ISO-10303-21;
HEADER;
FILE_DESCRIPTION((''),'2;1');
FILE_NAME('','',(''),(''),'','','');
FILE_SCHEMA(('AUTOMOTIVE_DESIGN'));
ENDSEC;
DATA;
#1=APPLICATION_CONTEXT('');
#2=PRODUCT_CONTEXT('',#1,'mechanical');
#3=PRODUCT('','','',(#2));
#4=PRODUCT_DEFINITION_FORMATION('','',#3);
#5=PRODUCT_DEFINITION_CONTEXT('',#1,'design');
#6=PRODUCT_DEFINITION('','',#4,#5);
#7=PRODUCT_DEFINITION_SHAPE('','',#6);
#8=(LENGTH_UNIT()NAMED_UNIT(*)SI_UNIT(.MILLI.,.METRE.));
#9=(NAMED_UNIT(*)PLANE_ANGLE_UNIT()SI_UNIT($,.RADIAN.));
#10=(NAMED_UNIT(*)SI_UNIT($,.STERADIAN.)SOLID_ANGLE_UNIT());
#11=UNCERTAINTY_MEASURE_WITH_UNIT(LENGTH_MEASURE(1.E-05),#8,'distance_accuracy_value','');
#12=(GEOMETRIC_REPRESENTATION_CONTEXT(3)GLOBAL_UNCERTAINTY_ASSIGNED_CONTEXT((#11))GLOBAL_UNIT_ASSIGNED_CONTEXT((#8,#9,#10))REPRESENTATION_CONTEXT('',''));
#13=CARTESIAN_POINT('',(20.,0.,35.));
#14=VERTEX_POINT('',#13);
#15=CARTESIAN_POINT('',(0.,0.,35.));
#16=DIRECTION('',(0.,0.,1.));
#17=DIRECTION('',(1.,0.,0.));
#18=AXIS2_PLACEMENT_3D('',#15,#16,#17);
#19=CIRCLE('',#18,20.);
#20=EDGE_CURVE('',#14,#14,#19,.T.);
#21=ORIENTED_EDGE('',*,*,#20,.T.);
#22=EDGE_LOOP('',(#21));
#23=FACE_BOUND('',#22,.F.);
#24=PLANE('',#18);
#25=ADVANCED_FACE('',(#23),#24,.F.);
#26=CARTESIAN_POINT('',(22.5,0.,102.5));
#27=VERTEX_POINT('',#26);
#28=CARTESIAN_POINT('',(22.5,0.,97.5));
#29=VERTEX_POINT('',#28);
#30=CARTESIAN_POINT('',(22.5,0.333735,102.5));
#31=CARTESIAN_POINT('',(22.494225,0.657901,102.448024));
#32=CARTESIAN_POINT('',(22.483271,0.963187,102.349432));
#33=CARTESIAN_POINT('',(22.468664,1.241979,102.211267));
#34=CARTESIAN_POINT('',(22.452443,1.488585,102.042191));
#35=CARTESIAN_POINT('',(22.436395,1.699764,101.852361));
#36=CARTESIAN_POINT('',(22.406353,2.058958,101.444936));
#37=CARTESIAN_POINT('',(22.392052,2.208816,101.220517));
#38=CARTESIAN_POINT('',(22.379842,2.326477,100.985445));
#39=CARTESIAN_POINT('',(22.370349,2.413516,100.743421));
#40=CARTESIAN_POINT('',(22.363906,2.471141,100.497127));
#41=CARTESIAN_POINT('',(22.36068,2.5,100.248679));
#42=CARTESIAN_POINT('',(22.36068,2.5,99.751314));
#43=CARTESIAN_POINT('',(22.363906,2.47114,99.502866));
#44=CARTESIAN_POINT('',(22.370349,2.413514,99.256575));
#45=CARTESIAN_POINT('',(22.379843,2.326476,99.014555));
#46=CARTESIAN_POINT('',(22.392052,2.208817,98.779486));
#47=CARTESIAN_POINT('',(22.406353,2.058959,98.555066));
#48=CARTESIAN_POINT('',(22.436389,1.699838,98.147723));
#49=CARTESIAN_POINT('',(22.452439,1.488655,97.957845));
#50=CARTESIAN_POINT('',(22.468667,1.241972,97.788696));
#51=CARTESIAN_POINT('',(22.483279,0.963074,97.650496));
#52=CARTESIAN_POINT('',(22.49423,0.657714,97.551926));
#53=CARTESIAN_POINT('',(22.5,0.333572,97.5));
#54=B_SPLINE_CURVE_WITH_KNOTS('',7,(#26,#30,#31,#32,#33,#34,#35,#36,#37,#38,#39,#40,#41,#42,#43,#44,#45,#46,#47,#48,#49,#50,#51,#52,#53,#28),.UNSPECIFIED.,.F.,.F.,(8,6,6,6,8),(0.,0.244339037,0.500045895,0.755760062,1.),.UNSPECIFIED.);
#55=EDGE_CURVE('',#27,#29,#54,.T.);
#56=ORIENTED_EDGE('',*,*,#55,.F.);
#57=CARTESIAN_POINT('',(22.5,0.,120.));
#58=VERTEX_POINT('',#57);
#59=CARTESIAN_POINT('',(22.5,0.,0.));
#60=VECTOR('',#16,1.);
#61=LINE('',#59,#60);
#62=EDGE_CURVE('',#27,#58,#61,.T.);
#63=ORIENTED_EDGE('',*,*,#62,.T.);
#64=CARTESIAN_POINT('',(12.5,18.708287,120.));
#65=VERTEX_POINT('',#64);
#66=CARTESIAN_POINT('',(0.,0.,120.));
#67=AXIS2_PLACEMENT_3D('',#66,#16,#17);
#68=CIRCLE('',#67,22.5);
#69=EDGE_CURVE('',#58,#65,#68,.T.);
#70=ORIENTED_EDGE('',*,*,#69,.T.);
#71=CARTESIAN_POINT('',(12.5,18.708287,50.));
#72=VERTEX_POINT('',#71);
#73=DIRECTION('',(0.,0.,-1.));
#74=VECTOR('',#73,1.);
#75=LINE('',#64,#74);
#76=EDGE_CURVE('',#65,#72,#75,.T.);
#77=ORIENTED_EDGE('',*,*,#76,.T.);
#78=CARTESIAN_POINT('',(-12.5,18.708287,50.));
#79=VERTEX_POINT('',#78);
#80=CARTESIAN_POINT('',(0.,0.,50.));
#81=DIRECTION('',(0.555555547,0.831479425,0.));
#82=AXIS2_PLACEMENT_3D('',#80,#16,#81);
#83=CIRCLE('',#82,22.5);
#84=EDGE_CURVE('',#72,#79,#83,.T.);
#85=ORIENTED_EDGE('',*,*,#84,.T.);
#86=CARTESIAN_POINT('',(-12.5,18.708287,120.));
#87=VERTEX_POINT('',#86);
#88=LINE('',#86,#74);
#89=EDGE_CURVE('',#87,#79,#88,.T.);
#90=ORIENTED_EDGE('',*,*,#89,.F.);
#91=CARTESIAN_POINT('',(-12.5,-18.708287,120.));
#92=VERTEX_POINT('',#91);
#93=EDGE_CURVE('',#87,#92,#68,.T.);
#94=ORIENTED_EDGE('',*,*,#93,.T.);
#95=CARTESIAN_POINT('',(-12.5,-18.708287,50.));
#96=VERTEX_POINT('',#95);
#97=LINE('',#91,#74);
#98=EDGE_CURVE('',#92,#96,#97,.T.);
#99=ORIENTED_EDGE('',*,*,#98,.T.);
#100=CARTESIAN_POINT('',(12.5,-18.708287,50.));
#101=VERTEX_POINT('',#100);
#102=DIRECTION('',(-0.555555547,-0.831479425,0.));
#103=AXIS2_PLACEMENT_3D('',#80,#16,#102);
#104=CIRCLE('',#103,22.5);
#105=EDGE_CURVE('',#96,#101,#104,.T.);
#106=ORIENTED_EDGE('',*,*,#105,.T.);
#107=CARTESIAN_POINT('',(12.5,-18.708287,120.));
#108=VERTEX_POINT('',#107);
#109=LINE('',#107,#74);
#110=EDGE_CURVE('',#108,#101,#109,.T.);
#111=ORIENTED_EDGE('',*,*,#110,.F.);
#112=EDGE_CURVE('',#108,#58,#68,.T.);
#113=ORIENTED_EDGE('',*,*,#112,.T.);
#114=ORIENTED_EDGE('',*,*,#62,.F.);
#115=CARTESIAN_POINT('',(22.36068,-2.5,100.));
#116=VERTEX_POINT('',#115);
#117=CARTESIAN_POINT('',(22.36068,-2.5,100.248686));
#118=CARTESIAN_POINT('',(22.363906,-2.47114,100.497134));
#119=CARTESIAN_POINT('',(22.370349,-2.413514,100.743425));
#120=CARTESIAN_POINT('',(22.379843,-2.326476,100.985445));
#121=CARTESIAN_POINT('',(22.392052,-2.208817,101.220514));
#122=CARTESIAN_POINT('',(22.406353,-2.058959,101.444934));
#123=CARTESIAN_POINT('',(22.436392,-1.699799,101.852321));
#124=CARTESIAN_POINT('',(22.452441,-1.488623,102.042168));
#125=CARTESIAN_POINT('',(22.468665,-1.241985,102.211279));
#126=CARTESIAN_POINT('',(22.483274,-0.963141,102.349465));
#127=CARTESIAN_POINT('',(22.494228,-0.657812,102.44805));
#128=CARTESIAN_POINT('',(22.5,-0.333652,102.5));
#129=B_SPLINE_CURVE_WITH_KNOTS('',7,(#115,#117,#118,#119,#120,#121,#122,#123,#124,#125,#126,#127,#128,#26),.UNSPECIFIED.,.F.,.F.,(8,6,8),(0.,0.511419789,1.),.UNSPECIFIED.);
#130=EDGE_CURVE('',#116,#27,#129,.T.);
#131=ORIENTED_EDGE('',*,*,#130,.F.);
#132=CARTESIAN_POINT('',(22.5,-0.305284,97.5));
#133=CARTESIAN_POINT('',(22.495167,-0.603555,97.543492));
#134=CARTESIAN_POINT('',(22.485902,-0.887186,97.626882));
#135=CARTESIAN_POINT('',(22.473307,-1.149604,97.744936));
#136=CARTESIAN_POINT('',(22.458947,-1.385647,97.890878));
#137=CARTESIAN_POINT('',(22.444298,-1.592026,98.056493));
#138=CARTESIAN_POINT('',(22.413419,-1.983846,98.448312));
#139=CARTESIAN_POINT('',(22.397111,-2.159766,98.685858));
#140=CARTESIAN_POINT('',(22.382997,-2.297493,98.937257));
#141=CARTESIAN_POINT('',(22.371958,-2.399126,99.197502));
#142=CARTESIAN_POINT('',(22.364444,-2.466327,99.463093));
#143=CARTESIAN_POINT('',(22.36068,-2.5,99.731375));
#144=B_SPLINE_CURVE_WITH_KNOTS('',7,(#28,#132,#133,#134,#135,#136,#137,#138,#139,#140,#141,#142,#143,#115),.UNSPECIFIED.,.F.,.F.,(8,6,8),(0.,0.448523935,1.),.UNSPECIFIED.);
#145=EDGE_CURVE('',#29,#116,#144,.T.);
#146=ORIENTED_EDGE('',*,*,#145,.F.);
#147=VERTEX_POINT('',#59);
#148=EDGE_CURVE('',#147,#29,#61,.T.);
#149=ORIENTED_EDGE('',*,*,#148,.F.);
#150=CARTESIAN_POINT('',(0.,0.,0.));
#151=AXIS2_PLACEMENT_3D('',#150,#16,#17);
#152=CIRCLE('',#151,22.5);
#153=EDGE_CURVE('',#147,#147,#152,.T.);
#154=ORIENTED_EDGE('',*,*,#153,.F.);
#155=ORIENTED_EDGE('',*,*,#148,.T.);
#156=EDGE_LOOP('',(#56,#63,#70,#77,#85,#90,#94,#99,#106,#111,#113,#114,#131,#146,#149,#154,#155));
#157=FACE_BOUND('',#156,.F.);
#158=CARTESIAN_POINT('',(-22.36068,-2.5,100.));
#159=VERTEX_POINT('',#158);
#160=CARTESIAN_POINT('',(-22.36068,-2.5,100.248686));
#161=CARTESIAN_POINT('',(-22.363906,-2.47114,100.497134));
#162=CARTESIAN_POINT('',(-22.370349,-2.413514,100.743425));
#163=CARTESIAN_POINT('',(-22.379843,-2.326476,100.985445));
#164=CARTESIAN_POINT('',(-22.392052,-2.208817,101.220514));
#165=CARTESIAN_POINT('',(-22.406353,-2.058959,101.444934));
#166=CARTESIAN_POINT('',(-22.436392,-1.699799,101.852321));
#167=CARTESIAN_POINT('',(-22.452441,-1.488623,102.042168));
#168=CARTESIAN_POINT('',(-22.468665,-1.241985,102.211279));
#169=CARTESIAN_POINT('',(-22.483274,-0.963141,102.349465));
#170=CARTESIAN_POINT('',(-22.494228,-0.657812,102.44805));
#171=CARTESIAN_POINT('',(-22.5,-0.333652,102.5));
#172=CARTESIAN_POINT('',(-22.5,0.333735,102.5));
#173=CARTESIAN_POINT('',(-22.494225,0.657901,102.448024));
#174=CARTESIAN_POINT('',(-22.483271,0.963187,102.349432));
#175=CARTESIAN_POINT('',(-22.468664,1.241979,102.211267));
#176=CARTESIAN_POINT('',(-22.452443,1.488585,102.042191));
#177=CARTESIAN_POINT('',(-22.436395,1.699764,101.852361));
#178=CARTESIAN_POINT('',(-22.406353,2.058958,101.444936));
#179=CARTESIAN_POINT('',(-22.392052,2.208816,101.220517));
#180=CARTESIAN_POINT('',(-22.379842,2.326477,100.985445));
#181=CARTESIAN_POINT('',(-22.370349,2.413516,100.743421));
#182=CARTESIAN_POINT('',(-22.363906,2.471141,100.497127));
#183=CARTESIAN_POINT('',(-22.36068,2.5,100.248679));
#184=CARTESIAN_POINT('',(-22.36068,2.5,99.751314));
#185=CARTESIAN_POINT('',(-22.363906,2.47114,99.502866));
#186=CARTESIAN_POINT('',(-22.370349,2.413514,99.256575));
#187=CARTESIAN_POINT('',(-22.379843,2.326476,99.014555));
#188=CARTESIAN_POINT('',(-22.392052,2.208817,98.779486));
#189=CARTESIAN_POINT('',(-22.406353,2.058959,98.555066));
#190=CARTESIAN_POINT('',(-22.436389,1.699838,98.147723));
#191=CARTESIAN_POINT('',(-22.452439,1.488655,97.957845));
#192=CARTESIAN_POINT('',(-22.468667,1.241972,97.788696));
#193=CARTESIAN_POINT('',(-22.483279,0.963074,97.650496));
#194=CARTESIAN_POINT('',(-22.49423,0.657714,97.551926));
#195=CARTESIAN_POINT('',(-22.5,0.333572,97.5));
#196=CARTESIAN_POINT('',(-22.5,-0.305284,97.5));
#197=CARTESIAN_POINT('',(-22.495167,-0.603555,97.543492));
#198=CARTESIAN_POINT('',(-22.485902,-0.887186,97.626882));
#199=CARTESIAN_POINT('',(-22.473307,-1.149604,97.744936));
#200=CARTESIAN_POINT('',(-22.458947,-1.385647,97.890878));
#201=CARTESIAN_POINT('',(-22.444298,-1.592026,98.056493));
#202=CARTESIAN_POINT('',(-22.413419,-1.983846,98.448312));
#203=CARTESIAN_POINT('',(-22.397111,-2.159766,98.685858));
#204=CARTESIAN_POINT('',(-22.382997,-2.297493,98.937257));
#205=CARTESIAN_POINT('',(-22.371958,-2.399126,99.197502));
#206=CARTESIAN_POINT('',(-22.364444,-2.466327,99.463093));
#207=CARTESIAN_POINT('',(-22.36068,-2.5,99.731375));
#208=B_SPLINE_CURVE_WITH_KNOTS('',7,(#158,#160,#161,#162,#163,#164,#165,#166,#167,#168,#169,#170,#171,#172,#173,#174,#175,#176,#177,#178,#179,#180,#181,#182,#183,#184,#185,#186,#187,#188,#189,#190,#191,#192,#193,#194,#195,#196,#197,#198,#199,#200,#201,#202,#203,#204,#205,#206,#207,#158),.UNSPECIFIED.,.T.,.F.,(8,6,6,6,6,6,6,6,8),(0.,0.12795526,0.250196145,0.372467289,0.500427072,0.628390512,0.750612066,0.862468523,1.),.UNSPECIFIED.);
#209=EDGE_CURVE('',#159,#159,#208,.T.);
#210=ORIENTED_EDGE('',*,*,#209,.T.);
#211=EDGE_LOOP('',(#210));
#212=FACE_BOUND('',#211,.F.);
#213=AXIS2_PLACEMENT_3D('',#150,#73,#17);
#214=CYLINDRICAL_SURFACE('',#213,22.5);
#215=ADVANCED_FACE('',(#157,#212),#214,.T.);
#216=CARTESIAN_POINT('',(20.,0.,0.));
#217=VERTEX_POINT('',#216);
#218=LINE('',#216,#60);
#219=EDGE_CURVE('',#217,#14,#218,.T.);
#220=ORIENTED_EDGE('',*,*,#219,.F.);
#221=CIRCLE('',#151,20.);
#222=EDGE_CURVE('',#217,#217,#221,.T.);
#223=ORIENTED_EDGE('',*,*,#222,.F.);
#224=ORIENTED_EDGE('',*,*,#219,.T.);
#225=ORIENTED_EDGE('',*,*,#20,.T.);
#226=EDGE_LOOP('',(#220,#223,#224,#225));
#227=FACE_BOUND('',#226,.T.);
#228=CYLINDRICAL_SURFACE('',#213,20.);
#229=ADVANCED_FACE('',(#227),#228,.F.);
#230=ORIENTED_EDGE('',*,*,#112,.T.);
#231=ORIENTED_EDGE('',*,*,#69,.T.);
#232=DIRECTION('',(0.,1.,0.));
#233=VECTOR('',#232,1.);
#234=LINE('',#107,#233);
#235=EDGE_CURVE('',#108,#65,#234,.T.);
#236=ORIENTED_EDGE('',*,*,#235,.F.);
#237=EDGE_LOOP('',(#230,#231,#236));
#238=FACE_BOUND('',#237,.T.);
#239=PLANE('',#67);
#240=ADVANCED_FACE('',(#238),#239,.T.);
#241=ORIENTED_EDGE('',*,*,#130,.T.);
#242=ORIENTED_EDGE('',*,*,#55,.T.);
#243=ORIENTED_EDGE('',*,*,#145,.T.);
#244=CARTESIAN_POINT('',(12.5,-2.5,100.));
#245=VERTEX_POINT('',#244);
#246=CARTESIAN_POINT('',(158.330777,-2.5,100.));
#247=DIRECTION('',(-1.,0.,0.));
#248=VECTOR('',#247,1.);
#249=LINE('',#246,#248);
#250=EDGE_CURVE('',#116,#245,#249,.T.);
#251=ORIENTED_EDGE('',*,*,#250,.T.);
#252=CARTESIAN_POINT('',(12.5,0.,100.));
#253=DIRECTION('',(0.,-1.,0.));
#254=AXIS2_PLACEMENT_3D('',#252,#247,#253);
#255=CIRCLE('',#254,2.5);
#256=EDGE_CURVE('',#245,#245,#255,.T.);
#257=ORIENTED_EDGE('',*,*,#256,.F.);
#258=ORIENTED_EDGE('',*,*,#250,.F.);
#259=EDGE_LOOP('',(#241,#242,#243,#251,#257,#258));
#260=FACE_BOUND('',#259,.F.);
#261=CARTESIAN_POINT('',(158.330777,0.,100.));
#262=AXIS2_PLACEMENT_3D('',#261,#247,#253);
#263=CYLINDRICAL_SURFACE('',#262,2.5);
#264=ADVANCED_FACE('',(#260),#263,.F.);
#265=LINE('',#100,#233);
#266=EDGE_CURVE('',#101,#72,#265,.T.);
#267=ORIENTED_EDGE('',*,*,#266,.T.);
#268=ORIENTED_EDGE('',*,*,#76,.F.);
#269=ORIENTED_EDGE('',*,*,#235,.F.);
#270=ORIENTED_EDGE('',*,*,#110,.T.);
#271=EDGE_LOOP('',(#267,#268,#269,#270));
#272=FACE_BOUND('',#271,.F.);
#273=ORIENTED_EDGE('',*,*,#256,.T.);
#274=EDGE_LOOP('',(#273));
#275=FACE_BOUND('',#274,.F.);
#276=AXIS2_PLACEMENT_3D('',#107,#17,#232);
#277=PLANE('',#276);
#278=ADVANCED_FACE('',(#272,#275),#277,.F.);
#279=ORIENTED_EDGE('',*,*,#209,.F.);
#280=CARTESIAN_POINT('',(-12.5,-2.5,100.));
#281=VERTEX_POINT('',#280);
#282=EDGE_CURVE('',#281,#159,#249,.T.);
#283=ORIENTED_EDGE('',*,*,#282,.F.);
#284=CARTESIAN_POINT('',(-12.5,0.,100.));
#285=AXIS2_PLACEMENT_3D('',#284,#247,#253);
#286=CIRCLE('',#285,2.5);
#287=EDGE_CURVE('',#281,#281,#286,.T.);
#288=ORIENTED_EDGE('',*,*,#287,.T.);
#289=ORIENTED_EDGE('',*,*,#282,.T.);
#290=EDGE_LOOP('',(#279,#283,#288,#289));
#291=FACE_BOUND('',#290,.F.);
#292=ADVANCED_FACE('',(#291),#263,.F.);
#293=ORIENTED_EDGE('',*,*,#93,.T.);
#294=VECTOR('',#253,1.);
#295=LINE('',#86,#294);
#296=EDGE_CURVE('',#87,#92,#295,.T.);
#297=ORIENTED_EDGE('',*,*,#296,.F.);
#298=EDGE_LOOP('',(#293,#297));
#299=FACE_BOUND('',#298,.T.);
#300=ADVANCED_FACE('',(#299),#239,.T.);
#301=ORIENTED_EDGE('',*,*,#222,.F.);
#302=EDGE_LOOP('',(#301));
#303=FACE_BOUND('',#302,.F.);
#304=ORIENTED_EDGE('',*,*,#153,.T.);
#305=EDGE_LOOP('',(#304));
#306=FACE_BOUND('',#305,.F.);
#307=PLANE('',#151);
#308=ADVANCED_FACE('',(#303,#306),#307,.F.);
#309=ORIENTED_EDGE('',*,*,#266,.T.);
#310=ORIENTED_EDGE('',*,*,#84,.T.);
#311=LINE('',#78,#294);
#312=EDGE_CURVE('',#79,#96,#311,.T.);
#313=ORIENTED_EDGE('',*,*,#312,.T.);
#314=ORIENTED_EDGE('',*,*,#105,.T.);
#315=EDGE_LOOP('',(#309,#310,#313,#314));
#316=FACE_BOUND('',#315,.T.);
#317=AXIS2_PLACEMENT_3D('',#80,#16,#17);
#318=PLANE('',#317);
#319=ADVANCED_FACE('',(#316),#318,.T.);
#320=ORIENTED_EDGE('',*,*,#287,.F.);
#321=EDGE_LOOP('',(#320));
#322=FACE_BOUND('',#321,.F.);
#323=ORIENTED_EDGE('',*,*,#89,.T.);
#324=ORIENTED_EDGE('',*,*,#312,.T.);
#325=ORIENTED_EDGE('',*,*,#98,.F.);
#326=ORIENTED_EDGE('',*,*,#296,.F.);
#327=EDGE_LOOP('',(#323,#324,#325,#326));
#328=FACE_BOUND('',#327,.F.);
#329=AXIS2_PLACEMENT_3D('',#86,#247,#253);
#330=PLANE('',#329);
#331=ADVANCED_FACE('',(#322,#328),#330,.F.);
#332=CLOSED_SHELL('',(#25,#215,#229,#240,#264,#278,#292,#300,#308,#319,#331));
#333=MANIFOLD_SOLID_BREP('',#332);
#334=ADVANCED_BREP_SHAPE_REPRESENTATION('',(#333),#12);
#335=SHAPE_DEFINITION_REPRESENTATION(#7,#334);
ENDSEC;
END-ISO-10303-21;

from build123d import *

# Parameters (mm, degrees)
F0_R     = 22.5
F1_DEPTH = 120
F3_DEPTH = 70
F4_R     = 20
F5_DEPTH = 35
F8_D     = 5


with BuildPart() as f1:
    # F0 (on Top) → F1 (new body)
    with BuildSketch(Plane.XY):
        Circle(F0_R)
    extrude(amount=F1_DEPTH)

    # F2 (on face) → F3 (cut)
    with BuildSketch(Plane.XY.offset(120)):
        with BuildLine():
            ThreePointArc((12.5, 18.708287), (0, 22.5), (-12.5, 18.708287))
            Line((-12.5, 18.708287), (-12.5, -18.708287))
            ThreePointArc((-12.5, -18.708287), (0, -22.5), (12.5, -18.708287))
            Line((12.5, -18.708287), (12.5, 18.708287))
        make_face()
    extrude(amount=-F3_DEPTH, mode=Mode.SUBTRACT)

    # F4 (on face) → F5 (cut)
    with BuildSketch(Plane.XY):
        Circle(F4_R)
    extrude(amount=F5_DEPTH, mode=Mode.SUBTRACT)

    # F8 (through all)
    with Locations(Plane.YZ.offset(22.5)):
        with Locations((0, 100)):
            Hole(F8_D / 2)


solid = f1.part
